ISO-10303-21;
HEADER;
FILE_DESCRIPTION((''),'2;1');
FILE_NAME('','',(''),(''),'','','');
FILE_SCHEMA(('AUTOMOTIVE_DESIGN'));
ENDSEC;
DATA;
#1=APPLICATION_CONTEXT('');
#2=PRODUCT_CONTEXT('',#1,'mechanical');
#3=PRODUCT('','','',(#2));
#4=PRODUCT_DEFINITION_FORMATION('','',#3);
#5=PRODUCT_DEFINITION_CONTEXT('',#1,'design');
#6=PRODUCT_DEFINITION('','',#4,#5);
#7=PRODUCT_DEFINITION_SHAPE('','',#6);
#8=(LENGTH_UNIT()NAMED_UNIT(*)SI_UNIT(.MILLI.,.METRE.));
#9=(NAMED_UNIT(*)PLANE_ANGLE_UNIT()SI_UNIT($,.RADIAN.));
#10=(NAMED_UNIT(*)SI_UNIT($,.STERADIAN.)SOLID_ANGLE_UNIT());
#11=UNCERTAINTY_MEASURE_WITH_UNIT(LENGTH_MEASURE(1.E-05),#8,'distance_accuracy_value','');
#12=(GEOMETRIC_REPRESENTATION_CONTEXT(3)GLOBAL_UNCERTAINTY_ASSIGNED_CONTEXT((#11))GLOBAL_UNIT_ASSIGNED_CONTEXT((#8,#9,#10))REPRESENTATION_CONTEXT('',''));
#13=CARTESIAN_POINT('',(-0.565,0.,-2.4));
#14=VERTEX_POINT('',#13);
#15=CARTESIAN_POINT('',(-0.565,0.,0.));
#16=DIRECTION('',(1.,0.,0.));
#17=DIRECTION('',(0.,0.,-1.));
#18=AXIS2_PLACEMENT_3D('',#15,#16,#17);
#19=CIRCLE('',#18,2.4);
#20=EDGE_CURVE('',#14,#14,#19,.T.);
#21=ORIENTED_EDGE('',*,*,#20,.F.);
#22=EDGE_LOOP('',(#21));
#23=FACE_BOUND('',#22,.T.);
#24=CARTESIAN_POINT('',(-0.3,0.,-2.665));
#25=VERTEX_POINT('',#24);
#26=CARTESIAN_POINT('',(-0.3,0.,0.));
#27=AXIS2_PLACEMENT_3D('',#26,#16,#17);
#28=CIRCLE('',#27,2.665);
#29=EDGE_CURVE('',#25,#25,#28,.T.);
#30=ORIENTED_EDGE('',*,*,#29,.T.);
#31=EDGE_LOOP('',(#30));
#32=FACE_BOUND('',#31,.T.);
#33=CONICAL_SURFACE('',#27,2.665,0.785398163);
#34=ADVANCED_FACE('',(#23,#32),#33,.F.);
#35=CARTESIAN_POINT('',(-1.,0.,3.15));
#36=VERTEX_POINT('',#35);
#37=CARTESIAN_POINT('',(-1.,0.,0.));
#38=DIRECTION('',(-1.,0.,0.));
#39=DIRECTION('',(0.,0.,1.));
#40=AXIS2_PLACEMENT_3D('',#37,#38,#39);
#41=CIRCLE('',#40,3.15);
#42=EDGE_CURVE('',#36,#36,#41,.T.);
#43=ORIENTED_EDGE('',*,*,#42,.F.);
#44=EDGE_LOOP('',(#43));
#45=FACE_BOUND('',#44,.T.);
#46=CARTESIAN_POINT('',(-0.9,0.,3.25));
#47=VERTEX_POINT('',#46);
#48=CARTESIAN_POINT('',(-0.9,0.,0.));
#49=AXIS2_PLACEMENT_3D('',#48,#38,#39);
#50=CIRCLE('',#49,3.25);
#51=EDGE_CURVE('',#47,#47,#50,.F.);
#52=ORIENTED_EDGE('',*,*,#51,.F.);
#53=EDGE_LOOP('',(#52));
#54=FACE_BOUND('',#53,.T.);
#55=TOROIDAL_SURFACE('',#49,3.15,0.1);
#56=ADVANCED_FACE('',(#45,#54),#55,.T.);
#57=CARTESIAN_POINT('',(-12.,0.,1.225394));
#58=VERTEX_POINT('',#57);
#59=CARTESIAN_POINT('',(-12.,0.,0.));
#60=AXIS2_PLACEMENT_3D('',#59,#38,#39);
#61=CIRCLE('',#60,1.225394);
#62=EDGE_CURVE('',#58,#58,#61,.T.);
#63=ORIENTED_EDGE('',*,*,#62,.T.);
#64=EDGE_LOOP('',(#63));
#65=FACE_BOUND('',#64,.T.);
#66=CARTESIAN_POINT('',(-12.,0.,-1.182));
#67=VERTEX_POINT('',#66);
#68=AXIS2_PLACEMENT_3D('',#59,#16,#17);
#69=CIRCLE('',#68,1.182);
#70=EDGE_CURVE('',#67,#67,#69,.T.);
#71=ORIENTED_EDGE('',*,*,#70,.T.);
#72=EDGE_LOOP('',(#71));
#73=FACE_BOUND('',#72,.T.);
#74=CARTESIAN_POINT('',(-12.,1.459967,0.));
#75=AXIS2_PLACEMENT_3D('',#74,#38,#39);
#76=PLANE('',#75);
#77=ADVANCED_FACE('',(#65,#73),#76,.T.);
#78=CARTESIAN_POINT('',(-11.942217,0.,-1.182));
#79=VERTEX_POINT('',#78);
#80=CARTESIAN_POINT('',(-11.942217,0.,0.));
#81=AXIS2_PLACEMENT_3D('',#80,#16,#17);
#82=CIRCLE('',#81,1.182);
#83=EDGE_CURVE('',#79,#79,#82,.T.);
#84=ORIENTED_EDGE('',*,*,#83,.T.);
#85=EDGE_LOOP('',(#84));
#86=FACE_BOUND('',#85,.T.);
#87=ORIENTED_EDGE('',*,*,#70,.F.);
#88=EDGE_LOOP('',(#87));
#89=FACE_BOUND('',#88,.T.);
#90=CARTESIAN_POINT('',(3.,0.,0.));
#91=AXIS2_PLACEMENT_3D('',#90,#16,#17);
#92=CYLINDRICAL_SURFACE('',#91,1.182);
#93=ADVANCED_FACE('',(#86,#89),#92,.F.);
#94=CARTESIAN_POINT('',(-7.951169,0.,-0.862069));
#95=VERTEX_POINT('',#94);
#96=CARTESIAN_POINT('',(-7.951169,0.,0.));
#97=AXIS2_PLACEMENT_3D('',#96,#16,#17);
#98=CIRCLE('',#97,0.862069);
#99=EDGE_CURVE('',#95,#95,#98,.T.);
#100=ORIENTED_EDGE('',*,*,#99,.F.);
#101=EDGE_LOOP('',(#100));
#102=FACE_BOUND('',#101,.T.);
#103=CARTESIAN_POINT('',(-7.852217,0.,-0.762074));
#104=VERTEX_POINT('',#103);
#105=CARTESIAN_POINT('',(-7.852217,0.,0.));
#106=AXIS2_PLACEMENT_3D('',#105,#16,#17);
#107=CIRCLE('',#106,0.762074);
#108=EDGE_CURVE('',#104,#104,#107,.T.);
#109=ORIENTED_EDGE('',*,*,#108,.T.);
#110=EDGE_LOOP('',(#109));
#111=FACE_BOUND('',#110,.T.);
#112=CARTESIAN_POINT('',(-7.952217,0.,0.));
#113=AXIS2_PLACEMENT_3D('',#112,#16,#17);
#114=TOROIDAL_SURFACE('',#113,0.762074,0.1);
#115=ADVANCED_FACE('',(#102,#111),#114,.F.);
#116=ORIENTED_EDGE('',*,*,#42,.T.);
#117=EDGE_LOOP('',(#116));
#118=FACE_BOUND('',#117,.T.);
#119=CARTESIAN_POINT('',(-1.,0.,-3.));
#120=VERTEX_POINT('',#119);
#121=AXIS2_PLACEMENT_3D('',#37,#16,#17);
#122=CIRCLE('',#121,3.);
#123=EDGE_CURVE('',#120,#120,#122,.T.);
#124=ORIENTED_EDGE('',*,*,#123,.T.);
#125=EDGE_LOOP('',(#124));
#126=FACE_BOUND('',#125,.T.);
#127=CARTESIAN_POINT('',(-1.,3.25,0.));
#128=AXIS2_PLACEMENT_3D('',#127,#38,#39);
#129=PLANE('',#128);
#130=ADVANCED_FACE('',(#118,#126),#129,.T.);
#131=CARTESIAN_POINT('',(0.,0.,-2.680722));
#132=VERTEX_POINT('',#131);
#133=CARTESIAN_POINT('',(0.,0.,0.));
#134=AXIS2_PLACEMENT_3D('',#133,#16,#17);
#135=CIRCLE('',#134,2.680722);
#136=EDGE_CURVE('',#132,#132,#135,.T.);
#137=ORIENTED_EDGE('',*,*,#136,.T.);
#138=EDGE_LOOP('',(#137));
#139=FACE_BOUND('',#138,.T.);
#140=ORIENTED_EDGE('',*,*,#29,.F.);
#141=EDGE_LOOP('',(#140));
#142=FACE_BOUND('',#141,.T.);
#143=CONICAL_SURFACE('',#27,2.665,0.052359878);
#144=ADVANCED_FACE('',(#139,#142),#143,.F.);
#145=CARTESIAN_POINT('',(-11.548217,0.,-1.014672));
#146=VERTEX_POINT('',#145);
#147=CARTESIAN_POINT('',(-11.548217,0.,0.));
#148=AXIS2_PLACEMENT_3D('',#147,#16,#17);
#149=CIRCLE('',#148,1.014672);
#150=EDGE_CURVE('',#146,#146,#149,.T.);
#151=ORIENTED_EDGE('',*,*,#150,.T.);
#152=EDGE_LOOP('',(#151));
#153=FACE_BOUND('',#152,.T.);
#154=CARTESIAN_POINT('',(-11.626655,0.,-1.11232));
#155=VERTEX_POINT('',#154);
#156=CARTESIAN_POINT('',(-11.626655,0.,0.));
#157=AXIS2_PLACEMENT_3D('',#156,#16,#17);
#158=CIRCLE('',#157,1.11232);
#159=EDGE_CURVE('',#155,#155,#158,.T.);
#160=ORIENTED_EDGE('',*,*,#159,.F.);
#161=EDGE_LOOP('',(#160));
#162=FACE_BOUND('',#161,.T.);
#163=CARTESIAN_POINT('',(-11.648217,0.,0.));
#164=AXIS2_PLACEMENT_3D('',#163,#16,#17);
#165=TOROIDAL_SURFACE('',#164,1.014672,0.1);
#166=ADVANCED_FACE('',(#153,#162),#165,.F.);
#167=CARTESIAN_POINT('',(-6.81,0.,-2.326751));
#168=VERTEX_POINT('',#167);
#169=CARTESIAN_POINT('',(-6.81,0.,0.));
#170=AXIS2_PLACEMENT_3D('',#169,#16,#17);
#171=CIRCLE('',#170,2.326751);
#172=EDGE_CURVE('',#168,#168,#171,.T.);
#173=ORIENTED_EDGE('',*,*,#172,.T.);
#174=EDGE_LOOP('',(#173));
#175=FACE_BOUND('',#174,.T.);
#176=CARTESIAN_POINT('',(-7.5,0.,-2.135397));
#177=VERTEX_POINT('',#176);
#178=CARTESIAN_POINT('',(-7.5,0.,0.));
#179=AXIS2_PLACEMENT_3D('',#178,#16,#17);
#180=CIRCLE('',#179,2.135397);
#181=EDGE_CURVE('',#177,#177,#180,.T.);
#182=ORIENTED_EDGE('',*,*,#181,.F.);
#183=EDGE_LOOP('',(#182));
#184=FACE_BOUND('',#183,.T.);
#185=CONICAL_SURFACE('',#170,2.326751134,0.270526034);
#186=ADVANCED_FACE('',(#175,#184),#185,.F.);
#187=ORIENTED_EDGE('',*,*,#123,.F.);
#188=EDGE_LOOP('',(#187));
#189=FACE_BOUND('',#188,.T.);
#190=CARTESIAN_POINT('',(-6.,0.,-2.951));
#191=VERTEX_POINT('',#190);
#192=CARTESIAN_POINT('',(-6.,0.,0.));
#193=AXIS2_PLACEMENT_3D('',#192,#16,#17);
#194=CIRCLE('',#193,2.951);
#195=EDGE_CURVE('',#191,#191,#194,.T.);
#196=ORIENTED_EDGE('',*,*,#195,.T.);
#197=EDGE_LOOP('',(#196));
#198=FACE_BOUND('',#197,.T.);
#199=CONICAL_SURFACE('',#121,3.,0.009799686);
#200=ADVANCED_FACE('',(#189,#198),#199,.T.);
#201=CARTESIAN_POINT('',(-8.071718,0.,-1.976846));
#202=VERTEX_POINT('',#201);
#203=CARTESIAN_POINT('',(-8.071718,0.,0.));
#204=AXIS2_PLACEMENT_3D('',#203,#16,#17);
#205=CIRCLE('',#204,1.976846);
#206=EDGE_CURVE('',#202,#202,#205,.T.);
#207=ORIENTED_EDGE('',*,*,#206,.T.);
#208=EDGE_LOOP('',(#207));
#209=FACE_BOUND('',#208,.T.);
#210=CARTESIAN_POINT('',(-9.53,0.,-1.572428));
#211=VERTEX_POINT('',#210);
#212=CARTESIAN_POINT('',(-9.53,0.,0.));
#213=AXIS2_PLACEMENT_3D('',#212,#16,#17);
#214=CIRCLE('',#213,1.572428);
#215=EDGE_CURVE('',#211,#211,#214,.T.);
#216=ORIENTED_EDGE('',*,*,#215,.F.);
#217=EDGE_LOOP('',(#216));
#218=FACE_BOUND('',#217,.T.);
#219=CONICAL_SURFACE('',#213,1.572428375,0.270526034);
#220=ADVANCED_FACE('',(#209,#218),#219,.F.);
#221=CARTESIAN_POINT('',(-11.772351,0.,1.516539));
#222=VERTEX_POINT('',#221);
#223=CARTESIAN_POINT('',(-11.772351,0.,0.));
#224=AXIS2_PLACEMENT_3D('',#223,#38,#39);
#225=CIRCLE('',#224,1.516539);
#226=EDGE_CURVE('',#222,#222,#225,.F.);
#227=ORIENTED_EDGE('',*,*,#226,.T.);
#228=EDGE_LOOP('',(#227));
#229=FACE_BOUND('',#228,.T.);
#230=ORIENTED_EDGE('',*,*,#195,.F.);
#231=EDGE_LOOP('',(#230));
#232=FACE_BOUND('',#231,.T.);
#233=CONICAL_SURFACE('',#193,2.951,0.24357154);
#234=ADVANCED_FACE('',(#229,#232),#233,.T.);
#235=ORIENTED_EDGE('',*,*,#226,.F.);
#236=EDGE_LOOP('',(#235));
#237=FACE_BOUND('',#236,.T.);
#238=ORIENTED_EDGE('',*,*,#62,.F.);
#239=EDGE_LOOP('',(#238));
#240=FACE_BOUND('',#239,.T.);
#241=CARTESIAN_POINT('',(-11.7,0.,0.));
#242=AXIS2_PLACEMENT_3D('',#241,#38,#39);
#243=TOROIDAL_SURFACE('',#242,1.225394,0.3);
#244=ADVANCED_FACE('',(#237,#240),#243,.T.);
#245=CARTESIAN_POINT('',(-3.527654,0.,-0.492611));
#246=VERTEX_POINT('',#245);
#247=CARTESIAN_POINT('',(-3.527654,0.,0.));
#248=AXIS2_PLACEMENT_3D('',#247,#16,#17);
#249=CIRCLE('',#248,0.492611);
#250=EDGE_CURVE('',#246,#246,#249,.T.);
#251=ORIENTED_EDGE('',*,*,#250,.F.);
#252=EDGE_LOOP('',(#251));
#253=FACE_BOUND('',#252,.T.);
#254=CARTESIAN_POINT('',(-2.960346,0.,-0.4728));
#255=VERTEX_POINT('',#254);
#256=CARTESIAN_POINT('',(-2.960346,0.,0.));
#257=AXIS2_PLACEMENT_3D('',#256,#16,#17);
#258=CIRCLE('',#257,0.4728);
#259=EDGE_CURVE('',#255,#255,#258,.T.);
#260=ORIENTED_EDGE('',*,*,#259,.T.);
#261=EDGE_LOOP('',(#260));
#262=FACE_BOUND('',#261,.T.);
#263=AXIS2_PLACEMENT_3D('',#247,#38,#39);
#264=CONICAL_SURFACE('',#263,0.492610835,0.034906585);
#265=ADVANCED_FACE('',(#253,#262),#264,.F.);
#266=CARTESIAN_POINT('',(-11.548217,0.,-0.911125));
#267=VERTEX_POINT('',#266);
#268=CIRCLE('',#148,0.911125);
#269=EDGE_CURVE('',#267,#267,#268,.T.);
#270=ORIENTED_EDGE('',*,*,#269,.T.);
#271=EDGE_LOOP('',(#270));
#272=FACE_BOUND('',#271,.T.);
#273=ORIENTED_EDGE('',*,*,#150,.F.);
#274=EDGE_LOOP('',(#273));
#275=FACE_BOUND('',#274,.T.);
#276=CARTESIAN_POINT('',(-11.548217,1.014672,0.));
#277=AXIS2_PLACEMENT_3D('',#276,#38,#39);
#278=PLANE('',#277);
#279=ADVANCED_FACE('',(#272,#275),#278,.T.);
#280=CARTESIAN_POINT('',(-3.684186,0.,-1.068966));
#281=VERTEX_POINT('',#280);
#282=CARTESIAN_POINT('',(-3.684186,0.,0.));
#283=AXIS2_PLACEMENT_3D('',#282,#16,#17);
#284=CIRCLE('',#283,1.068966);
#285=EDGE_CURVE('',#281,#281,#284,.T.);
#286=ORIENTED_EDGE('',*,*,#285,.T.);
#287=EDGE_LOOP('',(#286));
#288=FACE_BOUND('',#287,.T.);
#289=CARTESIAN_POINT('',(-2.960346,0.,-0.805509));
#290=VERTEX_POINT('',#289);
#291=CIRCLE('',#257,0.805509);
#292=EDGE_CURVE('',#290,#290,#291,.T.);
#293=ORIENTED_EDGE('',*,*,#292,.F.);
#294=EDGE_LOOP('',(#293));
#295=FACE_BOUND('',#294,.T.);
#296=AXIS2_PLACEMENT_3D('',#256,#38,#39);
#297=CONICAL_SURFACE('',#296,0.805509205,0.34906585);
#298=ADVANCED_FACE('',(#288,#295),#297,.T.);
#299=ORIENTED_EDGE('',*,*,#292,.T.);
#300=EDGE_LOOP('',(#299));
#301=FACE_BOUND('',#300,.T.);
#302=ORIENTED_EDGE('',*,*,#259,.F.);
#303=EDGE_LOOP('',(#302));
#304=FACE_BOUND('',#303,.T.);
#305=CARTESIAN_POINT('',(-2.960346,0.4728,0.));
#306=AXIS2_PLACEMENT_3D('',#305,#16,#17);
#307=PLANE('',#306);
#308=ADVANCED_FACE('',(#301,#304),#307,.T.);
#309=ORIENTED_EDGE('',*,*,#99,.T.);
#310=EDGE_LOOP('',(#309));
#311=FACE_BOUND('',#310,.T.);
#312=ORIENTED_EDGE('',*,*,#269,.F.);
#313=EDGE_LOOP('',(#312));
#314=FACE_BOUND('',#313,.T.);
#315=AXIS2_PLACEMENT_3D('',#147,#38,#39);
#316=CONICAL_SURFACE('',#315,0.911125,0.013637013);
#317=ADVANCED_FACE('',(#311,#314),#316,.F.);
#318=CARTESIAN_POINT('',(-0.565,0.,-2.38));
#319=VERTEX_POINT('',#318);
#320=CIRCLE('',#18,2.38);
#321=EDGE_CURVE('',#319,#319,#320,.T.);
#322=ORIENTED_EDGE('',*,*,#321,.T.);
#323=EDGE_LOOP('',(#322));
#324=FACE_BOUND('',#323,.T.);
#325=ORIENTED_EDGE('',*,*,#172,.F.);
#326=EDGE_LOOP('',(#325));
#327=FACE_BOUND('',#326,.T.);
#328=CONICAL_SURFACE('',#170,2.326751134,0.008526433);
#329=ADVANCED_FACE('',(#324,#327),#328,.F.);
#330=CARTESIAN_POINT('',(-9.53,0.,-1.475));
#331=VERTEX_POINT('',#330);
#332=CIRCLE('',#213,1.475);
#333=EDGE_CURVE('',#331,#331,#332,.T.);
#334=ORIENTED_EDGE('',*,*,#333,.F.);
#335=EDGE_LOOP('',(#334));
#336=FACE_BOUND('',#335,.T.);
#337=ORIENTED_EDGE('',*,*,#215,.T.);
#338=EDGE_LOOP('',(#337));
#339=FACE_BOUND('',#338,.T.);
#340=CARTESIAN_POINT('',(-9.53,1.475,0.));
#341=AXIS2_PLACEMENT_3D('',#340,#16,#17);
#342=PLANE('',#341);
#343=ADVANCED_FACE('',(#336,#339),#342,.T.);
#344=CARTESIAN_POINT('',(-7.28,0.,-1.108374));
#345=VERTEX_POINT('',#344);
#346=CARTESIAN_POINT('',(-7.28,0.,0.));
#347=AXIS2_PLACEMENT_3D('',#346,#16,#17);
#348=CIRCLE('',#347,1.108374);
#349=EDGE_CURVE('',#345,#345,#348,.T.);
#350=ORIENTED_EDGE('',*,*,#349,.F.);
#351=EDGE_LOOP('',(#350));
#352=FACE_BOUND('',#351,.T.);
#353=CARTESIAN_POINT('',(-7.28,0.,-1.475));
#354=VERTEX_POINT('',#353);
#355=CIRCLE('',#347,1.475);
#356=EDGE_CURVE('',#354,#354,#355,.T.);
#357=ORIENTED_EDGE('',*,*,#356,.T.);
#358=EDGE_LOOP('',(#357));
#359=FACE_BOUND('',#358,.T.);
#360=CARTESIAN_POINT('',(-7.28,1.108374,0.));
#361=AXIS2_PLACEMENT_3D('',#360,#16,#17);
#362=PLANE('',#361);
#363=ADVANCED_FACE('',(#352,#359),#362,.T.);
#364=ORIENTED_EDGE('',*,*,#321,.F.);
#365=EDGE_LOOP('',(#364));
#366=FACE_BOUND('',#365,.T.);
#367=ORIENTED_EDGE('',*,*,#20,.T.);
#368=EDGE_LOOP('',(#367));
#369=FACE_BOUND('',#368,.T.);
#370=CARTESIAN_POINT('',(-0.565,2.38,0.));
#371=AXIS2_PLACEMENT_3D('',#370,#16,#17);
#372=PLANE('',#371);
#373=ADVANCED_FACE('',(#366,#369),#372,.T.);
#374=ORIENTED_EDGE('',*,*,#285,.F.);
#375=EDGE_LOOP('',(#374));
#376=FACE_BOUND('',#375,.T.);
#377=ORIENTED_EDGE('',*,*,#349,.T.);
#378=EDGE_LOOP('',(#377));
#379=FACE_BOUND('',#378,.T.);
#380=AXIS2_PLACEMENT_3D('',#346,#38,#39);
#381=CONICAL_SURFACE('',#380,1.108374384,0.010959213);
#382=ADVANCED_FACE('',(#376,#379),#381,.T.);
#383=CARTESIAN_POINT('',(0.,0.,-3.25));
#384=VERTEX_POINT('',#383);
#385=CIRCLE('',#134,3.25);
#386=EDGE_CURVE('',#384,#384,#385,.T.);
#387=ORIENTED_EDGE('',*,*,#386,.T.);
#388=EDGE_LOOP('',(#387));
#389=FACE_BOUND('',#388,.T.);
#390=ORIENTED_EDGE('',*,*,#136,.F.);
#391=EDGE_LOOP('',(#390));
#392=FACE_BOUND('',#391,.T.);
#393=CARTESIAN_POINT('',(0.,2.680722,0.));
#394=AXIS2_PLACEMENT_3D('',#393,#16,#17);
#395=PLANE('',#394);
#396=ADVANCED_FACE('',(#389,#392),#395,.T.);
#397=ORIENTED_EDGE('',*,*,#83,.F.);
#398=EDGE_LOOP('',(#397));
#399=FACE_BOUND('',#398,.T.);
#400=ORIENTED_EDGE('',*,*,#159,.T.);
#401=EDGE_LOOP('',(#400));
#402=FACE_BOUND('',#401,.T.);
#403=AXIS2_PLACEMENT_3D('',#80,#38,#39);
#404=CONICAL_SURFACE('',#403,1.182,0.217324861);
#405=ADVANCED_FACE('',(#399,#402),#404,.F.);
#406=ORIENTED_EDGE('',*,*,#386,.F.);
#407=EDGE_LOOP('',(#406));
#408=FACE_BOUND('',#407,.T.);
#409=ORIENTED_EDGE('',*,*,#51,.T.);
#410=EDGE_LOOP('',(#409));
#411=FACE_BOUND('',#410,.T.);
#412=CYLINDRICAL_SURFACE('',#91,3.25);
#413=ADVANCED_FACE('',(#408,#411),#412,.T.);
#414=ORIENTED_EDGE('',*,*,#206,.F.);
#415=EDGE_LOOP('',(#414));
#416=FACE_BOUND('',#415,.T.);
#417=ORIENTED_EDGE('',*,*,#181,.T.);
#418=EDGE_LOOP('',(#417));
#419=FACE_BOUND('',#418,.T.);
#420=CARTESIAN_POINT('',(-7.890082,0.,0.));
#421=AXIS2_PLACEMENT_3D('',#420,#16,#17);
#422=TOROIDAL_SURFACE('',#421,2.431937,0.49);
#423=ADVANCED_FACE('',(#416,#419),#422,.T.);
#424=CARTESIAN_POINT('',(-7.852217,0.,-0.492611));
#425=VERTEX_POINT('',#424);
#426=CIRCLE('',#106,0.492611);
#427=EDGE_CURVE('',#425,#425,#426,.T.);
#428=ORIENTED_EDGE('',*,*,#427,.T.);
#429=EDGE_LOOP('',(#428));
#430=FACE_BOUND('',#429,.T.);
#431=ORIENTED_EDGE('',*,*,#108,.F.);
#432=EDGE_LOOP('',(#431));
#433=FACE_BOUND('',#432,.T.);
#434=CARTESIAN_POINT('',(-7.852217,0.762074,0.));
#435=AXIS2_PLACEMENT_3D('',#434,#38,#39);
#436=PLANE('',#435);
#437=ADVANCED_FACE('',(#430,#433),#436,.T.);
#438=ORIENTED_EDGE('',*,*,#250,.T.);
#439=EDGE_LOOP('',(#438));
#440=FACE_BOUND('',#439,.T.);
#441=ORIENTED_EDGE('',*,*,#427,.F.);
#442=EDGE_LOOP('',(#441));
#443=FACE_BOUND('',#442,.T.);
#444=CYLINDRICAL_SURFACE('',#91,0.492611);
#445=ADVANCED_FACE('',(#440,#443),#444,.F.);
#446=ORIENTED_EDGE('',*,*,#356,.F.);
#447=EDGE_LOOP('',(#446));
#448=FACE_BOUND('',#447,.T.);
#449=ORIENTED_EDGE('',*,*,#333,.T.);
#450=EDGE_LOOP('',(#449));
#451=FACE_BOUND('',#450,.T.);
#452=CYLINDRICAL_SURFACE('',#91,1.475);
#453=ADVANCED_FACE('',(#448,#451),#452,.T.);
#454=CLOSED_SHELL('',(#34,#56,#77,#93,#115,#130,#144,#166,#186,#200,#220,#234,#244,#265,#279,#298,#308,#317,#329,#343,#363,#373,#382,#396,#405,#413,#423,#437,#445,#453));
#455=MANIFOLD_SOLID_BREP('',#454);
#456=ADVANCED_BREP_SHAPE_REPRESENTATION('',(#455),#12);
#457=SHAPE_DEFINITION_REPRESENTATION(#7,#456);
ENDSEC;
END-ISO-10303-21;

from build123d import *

# Parameters (mm, degrees)
FILLET1_R = 0.3
FILLET2_R = 0.1


with BuildPart() as part:
    # Sketch1 → Base-Revolve (revolve)
    with BuildSketch(Plane.XY, mode=Mode.PRIVATE) as base_revolve_sk:
        with BuildLine():
            Line((0, 2.680722334), (0, 3.25))
            Line((0, 3.25), (-1, 3.25))
            Line((-1, 3.25), (-1, 3))
            Line((-1, 3), (-6, 2.951))
            Line((-6, 2.951), (-12, 1.45996726))
            Line((-12, 1.45996726), (-12, 1.182))
            Line((-12, 1.182), (-11.942216749, 1.182))
            Line((-11.942216749, 1.182), (-11.62665493, 1.112320106))
            ThreePointArc((-11.62665493, 1.112320106), (-11.570254637, 1.077297478), (-11.548216749, 1.014672331))
            Line((-11.548216749, 1.014672331), (-11.548216749, 0.911125))
            Line((-11.548216749, 0.911125), (-7.951168635, 0.862068966))
            ThreePointArc((-7.951168635, 0.862068966), (-7.881136472, 0.832413596), (-7.852216749, 0.762074458))
            Line((-7.852216749, 0.762074458), (-7.852216749, 0.492610835))
            Line((-7.852216749, 0.492610835), (-3.527654115, 0.492610835))
            Line((-3.527654115, 0.492610835), (-2.960346026, 0.4728))
            Line((-2.960346026, 0.4728), (-2.960346026, 0.805509205))
            Line((-2.960346026, 0.805509205), (-3.684186294, 1.068965517))
            Line((-3.684186294, 1.068965517), (-7.28, 1.108374384))
            Line((-7.28, 1.108374384), (-7.28, 1.25))
            Line((-7.28, 1.25), (-7.28, 1.475))
            Line((-7.28, 1.475), (-9.53, 1.475))
            Line((-9.53, 1.475), (-9.53, 1.572428375))
            Line((-9.53, 1.572428375), (-8.071717977, 1.976845772))
            ThreePointArc((-8.071717977, 1.976845772), (-7.759135151, 1.95975844), (-7.5, 2.135397199))
            Line((-7.5, 2.135397199), (-6.81, 2.326751134))
            Line((-6.81, 2.326751134), (-0.565, 2.38))
            Line((-0.565, 2.38), (-0.565, 2.4))
            Line((-0.565, 2.4), (-0.3, 2.665))
            Line((-0.3, 2.665), (0, 2.680722334))
        make_face()
    revolve(base_revolve_sk.sketch.rotate(Axis((3, 0, 0), (-1, 0, 0)), 90), axis=Axis((3, 0, 0), (-1, 0, 0)))

    # Fillet1
    fillet1_edges = [part.edges().sort_by_distance(p)[0] for p in [
        (-12, 0, 1.45996726),
    ]]
    fillet(fillet1_edges, radius=FILLET1_R)

    # Fillet2
    fillet2_edges = [part.edges().sort_by_distance(p)[0] for p in [
        (-1, 0, 3.25),
    ]]
    fillet(fillet2_edges, radius=FILLET2_R)


solid = part.part
